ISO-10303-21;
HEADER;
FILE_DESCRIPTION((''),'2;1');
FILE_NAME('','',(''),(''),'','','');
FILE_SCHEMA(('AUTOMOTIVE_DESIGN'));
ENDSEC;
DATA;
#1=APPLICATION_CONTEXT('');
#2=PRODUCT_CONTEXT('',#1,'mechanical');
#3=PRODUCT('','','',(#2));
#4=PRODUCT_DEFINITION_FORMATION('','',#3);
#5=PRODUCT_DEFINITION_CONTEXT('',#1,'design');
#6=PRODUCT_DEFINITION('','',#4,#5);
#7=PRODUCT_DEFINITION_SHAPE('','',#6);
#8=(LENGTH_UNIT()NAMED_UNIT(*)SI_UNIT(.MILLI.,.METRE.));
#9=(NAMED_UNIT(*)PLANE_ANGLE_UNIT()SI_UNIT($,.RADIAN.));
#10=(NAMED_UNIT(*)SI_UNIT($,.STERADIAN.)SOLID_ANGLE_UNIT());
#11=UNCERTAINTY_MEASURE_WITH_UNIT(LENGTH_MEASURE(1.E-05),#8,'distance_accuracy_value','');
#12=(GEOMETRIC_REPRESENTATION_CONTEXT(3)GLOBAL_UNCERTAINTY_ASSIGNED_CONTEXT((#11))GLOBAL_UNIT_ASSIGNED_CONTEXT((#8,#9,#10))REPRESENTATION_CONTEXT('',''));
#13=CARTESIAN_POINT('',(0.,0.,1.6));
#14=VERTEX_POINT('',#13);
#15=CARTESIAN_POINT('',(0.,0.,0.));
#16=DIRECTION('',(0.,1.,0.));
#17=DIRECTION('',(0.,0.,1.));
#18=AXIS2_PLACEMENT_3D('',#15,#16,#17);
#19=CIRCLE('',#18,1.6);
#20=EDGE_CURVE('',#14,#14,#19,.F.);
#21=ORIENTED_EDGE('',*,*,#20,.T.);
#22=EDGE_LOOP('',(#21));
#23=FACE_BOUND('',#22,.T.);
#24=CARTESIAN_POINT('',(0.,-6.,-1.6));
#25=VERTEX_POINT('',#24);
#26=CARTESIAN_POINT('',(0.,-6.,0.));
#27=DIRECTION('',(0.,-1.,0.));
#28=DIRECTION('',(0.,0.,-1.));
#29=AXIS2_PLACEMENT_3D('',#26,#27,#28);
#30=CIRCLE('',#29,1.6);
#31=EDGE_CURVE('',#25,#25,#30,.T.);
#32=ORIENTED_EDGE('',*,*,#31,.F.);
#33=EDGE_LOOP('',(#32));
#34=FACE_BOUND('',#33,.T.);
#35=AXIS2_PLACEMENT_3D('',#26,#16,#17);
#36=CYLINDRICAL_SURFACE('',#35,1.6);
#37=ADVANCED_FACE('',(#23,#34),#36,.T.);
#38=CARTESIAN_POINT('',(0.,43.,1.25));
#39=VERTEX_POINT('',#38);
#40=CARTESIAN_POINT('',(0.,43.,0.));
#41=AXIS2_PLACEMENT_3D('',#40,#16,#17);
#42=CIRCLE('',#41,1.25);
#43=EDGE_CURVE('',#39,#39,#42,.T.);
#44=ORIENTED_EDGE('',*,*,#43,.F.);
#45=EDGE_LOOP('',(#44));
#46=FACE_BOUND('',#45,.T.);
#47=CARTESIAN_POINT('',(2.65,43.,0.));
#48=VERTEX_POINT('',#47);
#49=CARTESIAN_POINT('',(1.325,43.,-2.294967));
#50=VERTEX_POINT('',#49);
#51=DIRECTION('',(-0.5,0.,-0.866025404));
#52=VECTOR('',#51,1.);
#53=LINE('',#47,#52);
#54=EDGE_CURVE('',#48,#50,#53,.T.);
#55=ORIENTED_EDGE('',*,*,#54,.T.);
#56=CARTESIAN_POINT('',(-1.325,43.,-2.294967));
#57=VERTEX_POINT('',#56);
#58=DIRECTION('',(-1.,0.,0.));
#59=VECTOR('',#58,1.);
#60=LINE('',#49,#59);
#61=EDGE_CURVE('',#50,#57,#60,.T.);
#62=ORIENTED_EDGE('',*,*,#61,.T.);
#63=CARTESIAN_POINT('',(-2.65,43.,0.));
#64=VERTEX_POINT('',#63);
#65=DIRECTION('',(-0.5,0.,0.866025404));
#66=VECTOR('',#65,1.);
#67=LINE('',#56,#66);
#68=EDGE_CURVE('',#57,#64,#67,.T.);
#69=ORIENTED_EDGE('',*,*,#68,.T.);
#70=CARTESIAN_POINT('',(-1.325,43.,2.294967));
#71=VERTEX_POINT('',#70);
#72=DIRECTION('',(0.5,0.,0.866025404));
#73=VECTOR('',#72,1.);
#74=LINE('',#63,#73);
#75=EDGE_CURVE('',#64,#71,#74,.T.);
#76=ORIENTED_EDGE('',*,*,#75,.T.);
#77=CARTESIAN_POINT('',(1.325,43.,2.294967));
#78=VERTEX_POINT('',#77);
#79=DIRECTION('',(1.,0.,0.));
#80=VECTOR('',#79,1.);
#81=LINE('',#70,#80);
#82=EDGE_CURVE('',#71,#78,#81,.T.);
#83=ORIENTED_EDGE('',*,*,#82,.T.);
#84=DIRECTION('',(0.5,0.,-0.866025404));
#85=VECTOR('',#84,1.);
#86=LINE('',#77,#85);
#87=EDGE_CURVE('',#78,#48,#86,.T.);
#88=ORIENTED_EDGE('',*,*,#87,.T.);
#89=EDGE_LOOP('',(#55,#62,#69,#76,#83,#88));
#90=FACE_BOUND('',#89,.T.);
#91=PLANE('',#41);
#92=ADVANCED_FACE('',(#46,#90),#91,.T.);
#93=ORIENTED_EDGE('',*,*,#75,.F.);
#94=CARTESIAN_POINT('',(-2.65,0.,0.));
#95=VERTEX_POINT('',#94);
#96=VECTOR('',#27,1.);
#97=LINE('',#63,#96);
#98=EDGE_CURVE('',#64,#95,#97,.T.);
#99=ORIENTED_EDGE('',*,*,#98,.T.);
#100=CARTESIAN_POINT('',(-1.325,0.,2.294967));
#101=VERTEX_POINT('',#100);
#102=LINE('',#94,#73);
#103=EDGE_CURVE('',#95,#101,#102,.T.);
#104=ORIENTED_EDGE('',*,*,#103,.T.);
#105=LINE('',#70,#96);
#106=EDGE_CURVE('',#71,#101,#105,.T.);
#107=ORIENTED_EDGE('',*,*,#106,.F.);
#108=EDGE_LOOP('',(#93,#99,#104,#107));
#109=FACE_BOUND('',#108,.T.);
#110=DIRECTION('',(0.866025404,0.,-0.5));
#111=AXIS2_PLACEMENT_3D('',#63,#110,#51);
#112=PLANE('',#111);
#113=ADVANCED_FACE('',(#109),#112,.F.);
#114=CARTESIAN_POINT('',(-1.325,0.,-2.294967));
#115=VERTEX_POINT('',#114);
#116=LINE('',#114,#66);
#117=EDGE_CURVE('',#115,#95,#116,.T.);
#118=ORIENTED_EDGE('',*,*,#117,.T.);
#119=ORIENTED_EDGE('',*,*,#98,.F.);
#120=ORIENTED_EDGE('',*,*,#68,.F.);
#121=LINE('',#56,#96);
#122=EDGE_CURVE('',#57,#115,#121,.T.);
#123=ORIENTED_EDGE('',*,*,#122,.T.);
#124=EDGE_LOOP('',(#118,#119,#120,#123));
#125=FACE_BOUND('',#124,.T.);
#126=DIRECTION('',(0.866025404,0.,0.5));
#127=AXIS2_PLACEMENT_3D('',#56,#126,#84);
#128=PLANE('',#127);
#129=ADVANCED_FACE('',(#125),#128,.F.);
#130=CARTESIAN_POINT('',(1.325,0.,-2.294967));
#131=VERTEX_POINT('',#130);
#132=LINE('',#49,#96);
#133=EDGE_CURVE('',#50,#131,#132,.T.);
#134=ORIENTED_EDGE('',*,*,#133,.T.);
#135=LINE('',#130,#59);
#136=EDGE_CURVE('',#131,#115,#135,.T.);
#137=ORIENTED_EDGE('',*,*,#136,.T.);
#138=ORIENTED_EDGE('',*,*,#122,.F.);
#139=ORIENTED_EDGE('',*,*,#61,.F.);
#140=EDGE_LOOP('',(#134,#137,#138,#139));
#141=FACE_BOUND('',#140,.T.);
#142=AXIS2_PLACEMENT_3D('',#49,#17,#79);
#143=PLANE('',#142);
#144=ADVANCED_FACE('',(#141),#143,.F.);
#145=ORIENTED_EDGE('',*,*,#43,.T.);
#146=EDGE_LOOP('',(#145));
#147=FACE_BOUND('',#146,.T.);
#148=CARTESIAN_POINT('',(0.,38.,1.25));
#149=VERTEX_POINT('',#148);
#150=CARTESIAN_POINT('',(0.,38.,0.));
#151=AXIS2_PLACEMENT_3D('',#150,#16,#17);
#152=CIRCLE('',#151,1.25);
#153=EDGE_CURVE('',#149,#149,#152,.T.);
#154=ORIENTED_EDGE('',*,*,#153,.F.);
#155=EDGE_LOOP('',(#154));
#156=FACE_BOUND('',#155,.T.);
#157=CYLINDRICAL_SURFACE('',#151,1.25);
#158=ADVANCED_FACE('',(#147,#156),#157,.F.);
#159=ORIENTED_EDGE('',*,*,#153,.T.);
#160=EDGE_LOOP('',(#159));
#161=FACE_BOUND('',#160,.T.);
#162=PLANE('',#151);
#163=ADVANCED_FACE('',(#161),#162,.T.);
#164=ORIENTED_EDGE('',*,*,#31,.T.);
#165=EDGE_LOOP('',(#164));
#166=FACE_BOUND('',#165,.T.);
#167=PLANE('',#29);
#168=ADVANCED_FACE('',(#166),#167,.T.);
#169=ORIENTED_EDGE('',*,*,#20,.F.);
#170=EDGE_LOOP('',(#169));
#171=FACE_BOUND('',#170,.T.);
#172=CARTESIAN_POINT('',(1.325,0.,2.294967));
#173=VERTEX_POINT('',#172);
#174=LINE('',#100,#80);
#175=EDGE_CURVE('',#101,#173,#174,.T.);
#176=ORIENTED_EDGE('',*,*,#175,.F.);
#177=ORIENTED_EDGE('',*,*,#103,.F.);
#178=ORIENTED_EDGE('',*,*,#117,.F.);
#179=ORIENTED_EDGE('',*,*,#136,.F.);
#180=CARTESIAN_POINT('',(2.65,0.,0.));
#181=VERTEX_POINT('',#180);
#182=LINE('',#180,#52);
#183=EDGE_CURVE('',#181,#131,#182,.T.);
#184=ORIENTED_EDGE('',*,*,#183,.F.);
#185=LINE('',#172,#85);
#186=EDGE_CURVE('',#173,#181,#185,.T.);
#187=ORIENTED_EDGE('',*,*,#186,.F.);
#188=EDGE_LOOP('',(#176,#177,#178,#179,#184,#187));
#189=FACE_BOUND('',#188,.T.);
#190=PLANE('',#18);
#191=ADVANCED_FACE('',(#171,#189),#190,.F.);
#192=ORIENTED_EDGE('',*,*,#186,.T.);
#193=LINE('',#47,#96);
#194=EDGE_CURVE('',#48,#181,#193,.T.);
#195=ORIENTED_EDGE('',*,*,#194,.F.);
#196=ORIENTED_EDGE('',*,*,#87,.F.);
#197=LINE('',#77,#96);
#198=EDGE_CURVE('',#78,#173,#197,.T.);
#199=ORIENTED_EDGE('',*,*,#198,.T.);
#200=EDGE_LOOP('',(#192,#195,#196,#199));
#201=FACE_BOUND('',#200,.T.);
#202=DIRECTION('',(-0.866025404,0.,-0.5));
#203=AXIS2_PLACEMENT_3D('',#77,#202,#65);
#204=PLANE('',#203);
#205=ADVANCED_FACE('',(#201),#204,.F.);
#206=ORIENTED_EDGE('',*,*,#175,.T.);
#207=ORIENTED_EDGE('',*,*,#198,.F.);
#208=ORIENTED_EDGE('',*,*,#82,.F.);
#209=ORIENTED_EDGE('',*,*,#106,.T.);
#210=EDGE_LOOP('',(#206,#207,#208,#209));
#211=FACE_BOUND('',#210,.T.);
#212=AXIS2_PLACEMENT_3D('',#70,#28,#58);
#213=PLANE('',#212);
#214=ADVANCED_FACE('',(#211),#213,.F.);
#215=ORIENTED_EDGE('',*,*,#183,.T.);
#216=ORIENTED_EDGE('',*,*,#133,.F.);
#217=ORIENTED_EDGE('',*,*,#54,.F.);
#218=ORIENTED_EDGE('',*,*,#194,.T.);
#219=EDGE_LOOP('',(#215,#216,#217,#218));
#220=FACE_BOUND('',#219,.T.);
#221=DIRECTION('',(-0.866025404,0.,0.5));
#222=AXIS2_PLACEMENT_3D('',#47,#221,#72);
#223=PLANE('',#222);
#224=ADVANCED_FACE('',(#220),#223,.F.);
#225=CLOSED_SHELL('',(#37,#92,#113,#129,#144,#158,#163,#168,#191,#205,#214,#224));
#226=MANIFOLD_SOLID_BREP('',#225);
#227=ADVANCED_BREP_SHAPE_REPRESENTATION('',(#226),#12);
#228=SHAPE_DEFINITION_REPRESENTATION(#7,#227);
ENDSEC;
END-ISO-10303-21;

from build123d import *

# Parameters (mm, degrees)
EXTRUDE_1_DEPTH     = 43
SKETCH_6_R          = 1.6
EXTRUDE_2_DEPTH     = 6
SKETCH_7_R          = 1.25
CUT_EXTRUDE_1_DEPTH = 5


with BuildPart() as part:
    # 草图4 → 凸台-拉伸1 (new body)
    with BuildSketch(Plane(origin=(0, 0, 0), x_dir=(1, 0, 0), z_dir=(0, 1, 0))):
        Polygon((1.325, -2.29496732), (2.65, 0), (1.325, 2.29496732), (-1.325, 2.29496732), (-2.65, 0), (-1.325, -2.29496732), align=None)
    extrude(amount=EXTRUDE_1_DEPTH)

    # 草图6 → 凸台-拉伸2 (add)
    with BuildSketch(Plane(origin=(0, 0, 0), x_dir=(-1, 0, 0), z_dir=(0, -1, 0))):
        with Locations(Location((0, 0, 0), (0, 0, 270))):
            Circle(SKETCH_6_R)
    extrude(amount=EXTRUDE_2_DEPTH)

    # 草图7 → 切除-拉伸1 (cut)
    with BuildSketch(Plane(origin=(0, 43, 0), x_dir=(1, 0, 0), z_dir=(0, 1, 0))):
        with Locations(Location((0, 0, 0), (0, 0, 270))):
            Circle(SKETCH_7_R)
    extrude(amount=-CUT_EXTRUDE_1_DEPTH, mode=Mode.SUBTRACT)


solid = part.part
